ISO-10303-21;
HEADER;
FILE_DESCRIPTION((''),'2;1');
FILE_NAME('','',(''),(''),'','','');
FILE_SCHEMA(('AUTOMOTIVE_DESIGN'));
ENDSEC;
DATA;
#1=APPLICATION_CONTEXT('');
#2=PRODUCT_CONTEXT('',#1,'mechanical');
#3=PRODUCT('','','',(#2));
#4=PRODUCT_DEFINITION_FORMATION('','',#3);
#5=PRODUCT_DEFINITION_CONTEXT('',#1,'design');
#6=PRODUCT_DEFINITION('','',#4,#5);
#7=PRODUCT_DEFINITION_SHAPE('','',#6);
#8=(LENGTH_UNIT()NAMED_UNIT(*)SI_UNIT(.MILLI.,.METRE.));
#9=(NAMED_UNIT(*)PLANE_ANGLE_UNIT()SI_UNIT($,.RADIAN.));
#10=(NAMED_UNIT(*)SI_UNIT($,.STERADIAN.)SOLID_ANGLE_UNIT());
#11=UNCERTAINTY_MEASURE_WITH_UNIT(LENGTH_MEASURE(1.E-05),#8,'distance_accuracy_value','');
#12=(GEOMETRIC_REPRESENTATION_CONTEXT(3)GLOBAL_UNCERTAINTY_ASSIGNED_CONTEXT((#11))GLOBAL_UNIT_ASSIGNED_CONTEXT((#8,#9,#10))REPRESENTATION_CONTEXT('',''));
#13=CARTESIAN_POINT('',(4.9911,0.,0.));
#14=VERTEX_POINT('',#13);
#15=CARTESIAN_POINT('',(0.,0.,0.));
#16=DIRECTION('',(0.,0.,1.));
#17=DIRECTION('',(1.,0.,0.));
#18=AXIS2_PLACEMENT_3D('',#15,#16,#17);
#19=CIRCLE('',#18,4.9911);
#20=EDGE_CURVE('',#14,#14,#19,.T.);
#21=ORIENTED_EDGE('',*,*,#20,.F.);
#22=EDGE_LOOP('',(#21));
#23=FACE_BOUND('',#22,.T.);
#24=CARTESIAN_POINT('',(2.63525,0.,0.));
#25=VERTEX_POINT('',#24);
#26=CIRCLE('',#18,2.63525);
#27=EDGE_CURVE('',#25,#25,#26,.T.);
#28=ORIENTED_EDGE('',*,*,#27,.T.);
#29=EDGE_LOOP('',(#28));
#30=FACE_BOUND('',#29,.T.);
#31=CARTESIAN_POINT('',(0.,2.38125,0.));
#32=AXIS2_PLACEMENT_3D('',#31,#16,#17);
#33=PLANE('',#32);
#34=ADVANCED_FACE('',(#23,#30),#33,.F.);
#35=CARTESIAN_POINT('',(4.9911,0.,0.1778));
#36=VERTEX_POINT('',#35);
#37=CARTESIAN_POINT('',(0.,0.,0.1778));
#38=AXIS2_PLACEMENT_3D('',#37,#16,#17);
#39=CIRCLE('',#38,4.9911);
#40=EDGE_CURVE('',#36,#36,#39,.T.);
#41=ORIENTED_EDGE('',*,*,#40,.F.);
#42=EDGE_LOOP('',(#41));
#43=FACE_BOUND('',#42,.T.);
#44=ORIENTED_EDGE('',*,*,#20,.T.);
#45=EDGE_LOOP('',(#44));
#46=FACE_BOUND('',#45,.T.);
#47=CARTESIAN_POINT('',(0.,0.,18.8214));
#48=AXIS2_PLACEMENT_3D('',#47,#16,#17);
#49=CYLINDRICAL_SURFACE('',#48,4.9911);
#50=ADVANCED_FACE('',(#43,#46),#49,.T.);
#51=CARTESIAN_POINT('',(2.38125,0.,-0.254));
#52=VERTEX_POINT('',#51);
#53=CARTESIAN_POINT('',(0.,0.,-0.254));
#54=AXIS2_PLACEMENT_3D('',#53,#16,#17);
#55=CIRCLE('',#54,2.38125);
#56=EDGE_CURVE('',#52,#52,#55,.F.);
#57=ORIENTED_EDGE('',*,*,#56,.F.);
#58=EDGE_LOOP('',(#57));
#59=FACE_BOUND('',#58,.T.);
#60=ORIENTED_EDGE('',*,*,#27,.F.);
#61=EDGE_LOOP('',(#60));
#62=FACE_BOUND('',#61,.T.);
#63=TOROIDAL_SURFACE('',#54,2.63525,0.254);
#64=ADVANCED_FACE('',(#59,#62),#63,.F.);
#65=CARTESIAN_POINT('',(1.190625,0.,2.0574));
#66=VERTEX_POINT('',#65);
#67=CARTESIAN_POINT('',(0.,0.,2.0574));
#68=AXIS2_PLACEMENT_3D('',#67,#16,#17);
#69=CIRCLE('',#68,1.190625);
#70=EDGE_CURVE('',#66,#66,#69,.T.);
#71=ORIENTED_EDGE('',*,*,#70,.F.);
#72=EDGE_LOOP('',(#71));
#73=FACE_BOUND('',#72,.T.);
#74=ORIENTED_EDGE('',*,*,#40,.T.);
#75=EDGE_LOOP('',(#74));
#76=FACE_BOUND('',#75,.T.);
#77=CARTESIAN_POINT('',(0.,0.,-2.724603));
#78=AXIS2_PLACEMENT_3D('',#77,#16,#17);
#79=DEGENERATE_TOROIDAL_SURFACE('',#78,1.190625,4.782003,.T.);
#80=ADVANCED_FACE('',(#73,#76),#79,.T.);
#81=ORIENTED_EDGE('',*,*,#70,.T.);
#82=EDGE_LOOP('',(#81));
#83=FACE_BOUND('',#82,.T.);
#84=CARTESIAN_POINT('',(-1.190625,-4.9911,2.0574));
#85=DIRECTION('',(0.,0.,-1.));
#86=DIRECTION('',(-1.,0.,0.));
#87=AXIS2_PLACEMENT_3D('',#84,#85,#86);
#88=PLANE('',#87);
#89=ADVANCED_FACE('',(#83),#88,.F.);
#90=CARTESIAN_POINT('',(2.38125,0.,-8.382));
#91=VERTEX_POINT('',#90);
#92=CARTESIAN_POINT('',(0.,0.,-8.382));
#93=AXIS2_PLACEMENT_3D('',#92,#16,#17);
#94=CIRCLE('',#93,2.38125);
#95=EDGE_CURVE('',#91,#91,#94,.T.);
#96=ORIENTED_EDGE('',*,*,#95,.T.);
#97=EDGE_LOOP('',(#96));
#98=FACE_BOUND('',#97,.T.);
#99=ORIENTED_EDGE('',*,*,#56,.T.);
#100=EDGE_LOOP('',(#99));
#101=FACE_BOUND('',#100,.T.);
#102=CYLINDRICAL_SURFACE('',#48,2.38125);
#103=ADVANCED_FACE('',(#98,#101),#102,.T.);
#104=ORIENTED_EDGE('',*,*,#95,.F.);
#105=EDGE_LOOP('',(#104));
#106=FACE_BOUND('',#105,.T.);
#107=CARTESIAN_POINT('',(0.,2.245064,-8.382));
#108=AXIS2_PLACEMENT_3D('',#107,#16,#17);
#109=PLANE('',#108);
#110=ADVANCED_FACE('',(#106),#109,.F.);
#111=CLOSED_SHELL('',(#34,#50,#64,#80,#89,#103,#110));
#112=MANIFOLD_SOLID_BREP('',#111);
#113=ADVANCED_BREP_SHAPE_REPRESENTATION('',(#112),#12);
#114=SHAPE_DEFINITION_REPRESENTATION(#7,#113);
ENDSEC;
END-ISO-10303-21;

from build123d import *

# Parameters (mm, degrees)
CUT_EXTRUDE1_DEPTH      = 21.101424287
CUT_EXTRUDE1_DEPTH_BACK = 21.101424287
CUT_EXTRUDE2_DEPTH      = 21.101424287
CUT_EXTRUDE2_DEPTH_BACK = 21.101424287
FILLET2_R               = 0.254
CUT_EXTRUDE3_DEPTH      = 21.101424287
CUT_EXTRUDE3_DEPTH_BACK = 21.101424287
SKETCH7_W               = 2.38125
SKETCH7_H               = 17.740225881


with BuildPart() as part:
    # Sketch2 → Revolve1 (revolve)
    with BuildSketch(Plane(origin=(0, 0, 0), x_dir=(0, 0, -1), z_dir=(1, 0, 0)), mode=Mode.PRIVATE) as revolve1_sk:
        with BuildLine():
            Line((-18.8214, 0), (-18.8214, 1.190625))
            Line((-18.8214, 1.190625), (-2.0574, 1.190625))
            ThreePointArc((-2.0574, 1.190625), (-1.561820484, 3.310560517), (-0.1778, 4.9911))
            Line((-0.1778, 4.9911), (0, 4.9911))
            Line((0, 4.9911), (0, 2.38125))
            Line((0, 2.38125), (8.382, 2.38125))
            Line((8.382, 2.38125), (8.382, 2.24506403))
            Line((8.382, 2.24506403), (8.382, 0))
            Line((8.382, 0), (-18.8214, 0))
        make_face()
    revolve(revolve1_sk.sketch.rotate(Axis((0, 0, 18.8214), (0, 0, -1)), 90), axis=Axis((0, 0, 18.8214), (0, 0, -1)))

    # Sketch3 → Cut-Extrude1 (cut, two sides: drawn at the far end of the back side and taken through both)
    with BuildSketch(Plane(origin=(0, 0, 0), x_dir=(1, 0, 0), z_dir=(0, 1, 0)).offset(-CUT_EXTRUDE1_DEPTH_BACK)):
        Polygon((0, -18.8214), (1.393825, -17.004931895), (1.393825, -19.3294), (-1.393825, -19.3294), (-1.393825, -17.004931895), align=None)
    extrude(amount=CUT_EXTRUDE1_DEPTH + CUT_EXTRUDE1_DEPTH_BACK, mode=Mode.SUBTRACT)

    # Sketch5 → Cut-Extrude2 (cut, two sides: drawn at the far end of the back side and taken through both)
    with BuildSketch(Plane(origin=(0, 0, 0), x_dir=(0, 0, -1), z_dir=(1, 0, 0)).offset(-CUT_EXTRUDE2_DEPTH_BACK)):
        Polygon((-18.8214, 0), (-17.26974729, 1.508125), (-19.1389, 1.508125), (-19.1389, -1.508125), (-17.26974729, -1.508125), align=None)
    extrude(amount=CUT_EXTRUDE2_DEPTH + CUT_EXTRUDE2_DEPTH_BACK, mode=Mode.SUBTRACT)

    # Fillet2
    fillet2_edges = [part.edges().sort_by_distance(p)[0] for p in [
        (-2.38125, 0, 0),
    ]]
    fillet(fillet2_edges, radius=FILLET2_R)

    # Sketch7 → Cut-Extrude3 (cut, two sides: drawn at the far end of the back side and taken through both)
    with BuildSketch(Plane(origin=(0, 0, 0), x_dir=(1, 0, 0), z_dir=(0, 1, 0)).offset(-CUT_EXTRUDE3_DEPTH_BACK)):
        with Locations((0, -10.927512941)):
            Rectangle(SKETCH7_W, SKETCH7_H)
    extrude(amount=CUT_EXTRUDE3_DEPTH + CUT_EXTRUDE3_DEPTH_BACK, mode=Mode.SUBTRACT)


solid = part.part
